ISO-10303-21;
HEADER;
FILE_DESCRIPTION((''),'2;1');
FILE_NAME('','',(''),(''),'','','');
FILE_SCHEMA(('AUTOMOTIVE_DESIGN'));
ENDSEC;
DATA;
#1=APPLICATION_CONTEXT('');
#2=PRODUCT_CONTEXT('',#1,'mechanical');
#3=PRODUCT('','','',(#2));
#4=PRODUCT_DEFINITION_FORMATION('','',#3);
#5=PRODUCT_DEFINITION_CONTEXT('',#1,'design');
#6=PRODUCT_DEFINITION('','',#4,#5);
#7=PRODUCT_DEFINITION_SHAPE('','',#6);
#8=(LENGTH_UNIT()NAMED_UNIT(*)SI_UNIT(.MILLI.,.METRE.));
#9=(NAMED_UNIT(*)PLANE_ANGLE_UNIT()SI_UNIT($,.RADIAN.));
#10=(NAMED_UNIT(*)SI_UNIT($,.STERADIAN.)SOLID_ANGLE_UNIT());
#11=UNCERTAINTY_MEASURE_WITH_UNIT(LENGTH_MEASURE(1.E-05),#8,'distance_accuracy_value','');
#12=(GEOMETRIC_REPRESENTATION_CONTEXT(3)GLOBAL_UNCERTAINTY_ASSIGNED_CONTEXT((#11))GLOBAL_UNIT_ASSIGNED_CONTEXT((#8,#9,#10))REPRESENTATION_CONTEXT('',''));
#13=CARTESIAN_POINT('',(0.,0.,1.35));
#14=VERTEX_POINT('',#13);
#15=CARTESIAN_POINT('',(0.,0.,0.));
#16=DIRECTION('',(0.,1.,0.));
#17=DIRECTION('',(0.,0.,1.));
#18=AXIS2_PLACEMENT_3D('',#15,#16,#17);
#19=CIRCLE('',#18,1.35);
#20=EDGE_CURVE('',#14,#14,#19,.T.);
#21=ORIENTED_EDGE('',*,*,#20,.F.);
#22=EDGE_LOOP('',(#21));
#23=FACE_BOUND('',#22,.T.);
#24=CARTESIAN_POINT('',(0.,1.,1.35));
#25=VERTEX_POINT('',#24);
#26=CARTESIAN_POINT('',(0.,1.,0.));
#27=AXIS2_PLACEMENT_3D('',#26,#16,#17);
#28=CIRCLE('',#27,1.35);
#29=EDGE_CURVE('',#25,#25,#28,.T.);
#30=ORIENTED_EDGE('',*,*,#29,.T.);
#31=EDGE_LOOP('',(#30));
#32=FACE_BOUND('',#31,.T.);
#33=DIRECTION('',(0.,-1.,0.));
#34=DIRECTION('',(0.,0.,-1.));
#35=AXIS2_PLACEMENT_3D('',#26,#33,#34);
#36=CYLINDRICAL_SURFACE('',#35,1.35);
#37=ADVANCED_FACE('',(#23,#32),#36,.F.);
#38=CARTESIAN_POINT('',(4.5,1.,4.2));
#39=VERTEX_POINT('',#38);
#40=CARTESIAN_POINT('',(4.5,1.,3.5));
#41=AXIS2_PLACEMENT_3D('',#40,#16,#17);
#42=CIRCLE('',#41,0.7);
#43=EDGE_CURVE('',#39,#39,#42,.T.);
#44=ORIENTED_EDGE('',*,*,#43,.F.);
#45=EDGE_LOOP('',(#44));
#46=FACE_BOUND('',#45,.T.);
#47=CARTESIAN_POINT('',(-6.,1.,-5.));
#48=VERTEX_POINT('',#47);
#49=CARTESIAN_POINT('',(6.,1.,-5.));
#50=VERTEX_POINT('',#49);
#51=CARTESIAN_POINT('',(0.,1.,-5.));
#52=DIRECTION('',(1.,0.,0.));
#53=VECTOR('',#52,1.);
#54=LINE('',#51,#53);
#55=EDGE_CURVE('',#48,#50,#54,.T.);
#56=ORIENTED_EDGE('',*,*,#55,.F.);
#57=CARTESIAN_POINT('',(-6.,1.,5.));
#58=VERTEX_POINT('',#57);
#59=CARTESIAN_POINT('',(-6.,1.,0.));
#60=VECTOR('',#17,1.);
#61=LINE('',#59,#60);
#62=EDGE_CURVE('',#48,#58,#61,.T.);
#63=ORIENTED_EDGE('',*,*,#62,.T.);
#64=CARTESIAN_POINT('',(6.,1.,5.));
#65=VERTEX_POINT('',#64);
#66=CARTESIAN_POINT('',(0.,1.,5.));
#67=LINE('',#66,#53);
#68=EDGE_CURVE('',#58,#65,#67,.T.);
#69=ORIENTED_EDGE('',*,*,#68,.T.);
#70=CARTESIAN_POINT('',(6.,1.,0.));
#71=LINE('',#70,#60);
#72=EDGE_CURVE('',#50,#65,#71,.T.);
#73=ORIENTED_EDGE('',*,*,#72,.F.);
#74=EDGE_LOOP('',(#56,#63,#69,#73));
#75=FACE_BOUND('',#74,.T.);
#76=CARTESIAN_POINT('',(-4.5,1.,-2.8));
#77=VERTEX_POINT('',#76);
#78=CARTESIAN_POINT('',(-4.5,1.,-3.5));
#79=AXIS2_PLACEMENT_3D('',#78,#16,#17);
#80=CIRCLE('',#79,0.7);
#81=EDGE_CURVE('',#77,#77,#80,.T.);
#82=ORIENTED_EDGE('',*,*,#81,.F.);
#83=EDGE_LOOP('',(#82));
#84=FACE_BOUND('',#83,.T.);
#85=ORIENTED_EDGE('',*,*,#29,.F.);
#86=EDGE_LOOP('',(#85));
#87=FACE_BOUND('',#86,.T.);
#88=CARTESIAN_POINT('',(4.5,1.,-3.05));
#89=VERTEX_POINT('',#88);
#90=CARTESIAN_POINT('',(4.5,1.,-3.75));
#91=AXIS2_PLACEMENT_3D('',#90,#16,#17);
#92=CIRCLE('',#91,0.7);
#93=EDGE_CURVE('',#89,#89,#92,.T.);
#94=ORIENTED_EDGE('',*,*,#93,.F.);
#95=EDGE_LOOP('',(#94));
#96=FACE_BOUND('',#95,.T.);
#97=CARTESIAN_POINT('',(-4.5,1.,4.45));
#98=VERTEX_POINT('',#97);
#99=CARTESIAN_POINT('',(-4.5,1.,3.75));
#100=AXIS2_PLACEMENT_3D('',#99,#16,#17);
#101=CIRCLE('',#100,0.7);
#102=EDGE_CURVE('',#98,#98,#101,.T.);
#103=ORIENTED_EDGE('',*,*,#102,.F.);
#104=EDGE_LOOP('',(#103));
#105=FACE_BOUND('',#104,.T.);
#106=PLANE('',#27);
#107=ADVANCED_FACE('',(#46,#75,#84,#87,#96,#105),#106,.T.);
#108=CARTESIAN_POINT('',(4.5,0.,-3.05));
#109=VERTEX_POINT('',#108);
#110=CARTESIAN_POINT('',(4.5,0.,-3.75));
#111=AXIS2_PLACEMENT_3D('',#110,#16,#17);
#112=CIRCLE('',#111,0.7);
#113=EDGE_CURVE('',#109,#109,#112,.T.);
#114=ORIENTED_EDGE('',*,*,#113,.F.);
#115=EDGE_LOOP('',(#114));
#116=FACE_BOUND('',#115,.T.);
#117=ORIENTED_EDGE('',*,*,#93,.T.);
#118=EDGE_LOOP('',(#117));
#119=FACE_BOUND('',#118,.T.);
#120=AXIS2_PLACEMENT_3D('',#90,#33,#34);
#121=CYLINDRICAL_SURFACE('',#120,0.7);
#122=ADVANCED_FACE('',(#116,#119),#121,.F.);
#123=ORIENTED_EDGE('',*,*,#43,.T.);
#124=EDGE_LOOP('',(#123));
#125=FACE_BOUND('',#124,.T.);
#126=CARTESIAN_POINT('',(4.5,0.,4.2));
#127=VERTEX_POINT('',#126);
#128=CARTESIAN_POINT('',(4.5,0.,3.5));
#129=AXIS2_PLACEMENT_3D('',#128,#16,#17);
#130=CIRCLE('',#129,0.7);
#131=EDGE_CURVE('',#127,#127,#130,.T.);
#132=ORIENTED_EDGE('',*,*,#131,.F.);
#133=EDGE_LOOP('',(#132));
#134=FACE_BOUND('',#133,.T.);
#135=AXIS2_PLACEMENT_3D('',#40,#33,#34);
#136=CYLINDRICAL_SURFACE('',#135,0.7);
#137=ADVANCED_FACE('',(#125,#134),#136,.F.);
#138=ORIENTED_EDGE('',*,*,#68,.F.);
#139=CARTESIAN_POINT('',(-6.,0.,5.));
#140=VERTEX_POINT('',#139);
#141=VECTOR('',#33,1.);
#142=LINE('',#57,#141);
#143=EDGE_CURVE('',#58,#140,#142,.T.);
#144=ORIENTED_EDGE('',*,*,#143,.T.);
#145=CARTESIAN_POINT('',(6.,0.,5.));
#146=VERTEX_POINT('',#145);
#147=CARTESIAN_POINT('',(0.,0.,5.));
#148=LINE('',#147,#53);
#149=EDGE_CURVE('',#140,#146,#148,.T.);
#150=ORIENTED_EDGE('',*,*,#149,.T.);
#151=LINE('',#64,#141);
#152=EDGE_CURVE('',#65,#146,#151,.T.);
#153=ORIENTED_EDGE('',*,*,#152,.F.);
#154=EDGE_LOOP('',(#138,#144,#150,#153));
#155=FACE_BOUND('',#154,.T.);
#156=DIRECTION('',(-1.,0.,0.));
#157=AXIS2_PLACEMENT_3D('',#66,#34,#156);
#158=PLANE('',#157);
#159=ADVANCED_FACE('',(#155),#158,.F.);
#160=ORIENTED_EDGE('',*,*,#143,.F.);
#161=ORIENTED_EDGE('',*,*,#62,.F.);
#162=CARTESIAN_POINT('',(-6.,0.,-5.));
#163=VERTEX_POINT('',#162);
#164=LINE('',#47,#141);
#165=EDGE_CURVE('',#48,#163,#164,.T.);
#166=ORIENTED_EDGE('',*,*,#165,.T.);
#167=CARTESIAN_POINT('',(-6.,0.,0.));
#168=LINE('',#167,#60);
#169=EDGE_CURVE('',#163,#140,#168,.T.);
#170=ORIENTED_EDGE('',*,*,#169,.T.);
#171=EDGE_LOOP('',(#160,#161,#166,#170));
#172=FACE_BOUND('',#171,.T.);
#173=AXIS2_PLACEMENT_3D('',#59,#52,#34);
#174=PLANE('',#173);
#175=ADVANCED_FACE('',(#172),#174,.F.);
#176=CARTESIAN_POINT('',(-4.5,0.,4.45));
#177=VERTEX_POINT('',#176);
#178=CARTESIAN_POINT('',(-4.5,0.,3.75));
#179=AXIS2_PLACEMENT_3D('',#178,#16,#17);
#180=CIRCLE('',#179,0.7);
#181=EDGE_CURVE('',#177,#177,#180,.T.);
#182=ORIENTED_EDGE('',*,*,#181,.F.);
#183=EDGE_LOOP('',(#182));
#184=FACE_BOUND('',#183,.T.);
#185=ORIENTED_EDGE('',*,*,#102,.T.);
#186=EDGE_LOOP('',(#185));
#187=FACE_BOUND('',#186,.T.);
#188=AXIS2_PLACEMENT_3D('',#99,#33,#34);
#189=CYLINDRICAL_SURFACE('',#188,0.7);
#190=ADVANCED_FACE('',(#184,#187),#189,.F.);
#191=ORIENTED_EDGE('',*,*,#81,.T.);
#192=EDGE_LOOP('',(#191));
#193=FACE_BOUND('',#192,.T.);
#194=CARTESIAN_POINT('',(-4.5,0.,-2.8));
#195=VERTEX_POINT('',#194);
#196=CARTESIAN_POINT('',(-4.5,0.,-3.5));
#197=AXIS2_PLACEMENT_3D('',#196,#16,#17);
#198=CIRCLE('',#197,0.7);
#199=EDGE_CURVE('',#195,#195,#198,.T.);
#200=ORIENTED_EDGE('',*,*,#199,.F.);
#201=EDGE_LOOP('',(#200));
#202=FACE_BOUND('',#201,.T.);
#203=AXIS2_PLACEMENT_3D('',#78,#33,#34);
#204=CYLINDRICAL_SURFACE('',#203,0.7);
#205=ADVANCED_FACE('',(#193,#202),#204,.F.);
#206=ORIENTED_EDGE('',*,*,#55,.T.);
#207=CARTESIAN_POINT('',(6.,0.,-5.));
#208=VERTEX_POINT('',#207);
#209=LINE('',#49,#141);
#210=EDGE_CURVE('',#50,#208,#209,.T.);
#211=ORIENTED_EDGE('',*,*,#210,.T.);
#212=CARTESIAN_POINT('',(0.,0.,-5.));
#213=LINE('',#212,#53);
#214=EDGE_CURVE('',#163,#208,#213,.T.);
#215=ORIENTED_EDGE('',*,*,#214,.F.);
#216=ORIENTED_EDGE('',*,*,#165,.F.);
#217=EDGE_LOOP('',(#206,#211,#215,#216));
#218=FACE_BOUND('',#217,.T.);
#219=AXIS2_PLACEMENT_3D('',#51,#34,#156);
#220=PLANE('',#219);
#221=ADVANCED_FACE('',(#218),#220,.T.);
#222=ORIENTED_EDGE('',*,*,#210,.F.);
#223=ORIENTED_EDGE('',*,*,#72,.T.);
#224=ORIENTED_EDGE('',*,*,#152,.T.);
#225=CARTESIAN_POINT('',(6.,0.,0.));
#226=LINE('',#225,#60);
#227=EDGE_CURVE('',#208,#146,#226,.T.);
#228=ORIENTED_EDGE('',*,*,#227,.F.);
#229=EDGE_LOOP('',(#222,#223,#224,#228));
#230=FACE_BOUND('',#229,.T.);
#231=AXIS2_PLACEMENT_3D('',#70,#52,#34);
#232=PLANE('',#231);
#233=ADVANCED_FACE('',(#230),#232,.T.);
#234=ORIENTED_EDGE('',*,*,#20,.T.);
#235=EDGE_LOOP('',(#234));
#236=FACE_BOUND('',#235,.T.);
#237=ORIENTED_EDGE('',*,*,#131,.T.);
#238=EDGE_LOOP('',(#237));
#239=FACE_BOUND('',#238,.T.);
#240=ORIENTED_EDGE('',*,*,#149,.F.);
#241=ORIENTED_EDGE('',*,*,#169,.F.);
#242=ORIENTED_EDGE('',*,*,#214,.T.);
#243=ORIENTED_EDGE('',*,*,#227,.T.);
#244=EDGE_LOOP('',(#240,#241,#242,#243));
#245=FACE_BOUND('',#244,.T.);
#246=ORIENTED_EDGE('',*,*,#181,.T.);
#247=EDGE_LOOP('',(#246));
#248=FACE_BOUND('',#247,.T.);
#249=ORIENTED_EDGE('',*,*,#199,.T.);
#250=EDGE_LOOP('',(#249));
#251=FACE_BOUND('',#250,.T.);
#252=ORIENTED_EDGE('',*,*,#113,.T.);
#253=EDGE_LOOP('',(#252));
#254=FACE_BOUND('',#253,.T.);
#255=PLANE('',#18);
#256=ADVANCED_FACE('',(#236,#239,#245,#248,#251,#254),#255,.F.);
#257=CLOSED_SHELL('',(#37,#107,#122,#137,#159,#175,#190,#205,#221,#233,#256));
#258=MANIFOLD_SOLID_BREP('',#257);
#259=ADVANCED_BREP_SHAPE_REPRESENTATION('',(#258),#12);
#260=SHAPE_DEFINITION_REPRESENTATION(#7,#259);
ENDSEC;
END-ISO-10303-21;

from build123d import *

# Parameters (mm, degrees)
SKETCH_1_W      = 12
SKETCH_1_H      = 10
SKETCH_1_R      = 1.35
SKETCH_1_R_2    = 0.7
EXTRUDE_1_DEPTH = 1


with BuildPart() as part:
    # 草图1 → 凸台-拉伸1 (new body)
    with BuildSketch(Plane(origin=(0, 0, 0), x_dir=(1, 0, 0), z_dir=(0, 1, 0))):
        Rectangle(SKETCH_1_W, SKETCH_1_H)
        with Locations(Location((0, 0, 0), (0, 0, 270))):
            Circle(SKETCH_1_R, mode=Mode.SUBTRACT)
        with Locations(Location((-4.5, 3.5, 0), (0, 0, 270))):
            Circle(SKETCH_1_R_2, mode=Mode.SUBTRACT)
        with Locations(Location((4.5, -3.5, 0), (0, 0, 270))):
            Circle(SKETCH_1_R_2, mode=Mode.SUBTRACT)
        with Locations(Location((4.5, 3.75, 0), (0, 0, 270))):
            Circle(SKETCH_1_R_2, mode=Mode.SUBTRACT)
        with Locations(Location((-4.5, -3.75, 0), (0, 0, 270))):
            Circle(SKETCH_1_R_2, mode=Mode.SUBTRACT)
    extrude(amount=EXTRUDE_1_DEPTH)


solid = part.part
